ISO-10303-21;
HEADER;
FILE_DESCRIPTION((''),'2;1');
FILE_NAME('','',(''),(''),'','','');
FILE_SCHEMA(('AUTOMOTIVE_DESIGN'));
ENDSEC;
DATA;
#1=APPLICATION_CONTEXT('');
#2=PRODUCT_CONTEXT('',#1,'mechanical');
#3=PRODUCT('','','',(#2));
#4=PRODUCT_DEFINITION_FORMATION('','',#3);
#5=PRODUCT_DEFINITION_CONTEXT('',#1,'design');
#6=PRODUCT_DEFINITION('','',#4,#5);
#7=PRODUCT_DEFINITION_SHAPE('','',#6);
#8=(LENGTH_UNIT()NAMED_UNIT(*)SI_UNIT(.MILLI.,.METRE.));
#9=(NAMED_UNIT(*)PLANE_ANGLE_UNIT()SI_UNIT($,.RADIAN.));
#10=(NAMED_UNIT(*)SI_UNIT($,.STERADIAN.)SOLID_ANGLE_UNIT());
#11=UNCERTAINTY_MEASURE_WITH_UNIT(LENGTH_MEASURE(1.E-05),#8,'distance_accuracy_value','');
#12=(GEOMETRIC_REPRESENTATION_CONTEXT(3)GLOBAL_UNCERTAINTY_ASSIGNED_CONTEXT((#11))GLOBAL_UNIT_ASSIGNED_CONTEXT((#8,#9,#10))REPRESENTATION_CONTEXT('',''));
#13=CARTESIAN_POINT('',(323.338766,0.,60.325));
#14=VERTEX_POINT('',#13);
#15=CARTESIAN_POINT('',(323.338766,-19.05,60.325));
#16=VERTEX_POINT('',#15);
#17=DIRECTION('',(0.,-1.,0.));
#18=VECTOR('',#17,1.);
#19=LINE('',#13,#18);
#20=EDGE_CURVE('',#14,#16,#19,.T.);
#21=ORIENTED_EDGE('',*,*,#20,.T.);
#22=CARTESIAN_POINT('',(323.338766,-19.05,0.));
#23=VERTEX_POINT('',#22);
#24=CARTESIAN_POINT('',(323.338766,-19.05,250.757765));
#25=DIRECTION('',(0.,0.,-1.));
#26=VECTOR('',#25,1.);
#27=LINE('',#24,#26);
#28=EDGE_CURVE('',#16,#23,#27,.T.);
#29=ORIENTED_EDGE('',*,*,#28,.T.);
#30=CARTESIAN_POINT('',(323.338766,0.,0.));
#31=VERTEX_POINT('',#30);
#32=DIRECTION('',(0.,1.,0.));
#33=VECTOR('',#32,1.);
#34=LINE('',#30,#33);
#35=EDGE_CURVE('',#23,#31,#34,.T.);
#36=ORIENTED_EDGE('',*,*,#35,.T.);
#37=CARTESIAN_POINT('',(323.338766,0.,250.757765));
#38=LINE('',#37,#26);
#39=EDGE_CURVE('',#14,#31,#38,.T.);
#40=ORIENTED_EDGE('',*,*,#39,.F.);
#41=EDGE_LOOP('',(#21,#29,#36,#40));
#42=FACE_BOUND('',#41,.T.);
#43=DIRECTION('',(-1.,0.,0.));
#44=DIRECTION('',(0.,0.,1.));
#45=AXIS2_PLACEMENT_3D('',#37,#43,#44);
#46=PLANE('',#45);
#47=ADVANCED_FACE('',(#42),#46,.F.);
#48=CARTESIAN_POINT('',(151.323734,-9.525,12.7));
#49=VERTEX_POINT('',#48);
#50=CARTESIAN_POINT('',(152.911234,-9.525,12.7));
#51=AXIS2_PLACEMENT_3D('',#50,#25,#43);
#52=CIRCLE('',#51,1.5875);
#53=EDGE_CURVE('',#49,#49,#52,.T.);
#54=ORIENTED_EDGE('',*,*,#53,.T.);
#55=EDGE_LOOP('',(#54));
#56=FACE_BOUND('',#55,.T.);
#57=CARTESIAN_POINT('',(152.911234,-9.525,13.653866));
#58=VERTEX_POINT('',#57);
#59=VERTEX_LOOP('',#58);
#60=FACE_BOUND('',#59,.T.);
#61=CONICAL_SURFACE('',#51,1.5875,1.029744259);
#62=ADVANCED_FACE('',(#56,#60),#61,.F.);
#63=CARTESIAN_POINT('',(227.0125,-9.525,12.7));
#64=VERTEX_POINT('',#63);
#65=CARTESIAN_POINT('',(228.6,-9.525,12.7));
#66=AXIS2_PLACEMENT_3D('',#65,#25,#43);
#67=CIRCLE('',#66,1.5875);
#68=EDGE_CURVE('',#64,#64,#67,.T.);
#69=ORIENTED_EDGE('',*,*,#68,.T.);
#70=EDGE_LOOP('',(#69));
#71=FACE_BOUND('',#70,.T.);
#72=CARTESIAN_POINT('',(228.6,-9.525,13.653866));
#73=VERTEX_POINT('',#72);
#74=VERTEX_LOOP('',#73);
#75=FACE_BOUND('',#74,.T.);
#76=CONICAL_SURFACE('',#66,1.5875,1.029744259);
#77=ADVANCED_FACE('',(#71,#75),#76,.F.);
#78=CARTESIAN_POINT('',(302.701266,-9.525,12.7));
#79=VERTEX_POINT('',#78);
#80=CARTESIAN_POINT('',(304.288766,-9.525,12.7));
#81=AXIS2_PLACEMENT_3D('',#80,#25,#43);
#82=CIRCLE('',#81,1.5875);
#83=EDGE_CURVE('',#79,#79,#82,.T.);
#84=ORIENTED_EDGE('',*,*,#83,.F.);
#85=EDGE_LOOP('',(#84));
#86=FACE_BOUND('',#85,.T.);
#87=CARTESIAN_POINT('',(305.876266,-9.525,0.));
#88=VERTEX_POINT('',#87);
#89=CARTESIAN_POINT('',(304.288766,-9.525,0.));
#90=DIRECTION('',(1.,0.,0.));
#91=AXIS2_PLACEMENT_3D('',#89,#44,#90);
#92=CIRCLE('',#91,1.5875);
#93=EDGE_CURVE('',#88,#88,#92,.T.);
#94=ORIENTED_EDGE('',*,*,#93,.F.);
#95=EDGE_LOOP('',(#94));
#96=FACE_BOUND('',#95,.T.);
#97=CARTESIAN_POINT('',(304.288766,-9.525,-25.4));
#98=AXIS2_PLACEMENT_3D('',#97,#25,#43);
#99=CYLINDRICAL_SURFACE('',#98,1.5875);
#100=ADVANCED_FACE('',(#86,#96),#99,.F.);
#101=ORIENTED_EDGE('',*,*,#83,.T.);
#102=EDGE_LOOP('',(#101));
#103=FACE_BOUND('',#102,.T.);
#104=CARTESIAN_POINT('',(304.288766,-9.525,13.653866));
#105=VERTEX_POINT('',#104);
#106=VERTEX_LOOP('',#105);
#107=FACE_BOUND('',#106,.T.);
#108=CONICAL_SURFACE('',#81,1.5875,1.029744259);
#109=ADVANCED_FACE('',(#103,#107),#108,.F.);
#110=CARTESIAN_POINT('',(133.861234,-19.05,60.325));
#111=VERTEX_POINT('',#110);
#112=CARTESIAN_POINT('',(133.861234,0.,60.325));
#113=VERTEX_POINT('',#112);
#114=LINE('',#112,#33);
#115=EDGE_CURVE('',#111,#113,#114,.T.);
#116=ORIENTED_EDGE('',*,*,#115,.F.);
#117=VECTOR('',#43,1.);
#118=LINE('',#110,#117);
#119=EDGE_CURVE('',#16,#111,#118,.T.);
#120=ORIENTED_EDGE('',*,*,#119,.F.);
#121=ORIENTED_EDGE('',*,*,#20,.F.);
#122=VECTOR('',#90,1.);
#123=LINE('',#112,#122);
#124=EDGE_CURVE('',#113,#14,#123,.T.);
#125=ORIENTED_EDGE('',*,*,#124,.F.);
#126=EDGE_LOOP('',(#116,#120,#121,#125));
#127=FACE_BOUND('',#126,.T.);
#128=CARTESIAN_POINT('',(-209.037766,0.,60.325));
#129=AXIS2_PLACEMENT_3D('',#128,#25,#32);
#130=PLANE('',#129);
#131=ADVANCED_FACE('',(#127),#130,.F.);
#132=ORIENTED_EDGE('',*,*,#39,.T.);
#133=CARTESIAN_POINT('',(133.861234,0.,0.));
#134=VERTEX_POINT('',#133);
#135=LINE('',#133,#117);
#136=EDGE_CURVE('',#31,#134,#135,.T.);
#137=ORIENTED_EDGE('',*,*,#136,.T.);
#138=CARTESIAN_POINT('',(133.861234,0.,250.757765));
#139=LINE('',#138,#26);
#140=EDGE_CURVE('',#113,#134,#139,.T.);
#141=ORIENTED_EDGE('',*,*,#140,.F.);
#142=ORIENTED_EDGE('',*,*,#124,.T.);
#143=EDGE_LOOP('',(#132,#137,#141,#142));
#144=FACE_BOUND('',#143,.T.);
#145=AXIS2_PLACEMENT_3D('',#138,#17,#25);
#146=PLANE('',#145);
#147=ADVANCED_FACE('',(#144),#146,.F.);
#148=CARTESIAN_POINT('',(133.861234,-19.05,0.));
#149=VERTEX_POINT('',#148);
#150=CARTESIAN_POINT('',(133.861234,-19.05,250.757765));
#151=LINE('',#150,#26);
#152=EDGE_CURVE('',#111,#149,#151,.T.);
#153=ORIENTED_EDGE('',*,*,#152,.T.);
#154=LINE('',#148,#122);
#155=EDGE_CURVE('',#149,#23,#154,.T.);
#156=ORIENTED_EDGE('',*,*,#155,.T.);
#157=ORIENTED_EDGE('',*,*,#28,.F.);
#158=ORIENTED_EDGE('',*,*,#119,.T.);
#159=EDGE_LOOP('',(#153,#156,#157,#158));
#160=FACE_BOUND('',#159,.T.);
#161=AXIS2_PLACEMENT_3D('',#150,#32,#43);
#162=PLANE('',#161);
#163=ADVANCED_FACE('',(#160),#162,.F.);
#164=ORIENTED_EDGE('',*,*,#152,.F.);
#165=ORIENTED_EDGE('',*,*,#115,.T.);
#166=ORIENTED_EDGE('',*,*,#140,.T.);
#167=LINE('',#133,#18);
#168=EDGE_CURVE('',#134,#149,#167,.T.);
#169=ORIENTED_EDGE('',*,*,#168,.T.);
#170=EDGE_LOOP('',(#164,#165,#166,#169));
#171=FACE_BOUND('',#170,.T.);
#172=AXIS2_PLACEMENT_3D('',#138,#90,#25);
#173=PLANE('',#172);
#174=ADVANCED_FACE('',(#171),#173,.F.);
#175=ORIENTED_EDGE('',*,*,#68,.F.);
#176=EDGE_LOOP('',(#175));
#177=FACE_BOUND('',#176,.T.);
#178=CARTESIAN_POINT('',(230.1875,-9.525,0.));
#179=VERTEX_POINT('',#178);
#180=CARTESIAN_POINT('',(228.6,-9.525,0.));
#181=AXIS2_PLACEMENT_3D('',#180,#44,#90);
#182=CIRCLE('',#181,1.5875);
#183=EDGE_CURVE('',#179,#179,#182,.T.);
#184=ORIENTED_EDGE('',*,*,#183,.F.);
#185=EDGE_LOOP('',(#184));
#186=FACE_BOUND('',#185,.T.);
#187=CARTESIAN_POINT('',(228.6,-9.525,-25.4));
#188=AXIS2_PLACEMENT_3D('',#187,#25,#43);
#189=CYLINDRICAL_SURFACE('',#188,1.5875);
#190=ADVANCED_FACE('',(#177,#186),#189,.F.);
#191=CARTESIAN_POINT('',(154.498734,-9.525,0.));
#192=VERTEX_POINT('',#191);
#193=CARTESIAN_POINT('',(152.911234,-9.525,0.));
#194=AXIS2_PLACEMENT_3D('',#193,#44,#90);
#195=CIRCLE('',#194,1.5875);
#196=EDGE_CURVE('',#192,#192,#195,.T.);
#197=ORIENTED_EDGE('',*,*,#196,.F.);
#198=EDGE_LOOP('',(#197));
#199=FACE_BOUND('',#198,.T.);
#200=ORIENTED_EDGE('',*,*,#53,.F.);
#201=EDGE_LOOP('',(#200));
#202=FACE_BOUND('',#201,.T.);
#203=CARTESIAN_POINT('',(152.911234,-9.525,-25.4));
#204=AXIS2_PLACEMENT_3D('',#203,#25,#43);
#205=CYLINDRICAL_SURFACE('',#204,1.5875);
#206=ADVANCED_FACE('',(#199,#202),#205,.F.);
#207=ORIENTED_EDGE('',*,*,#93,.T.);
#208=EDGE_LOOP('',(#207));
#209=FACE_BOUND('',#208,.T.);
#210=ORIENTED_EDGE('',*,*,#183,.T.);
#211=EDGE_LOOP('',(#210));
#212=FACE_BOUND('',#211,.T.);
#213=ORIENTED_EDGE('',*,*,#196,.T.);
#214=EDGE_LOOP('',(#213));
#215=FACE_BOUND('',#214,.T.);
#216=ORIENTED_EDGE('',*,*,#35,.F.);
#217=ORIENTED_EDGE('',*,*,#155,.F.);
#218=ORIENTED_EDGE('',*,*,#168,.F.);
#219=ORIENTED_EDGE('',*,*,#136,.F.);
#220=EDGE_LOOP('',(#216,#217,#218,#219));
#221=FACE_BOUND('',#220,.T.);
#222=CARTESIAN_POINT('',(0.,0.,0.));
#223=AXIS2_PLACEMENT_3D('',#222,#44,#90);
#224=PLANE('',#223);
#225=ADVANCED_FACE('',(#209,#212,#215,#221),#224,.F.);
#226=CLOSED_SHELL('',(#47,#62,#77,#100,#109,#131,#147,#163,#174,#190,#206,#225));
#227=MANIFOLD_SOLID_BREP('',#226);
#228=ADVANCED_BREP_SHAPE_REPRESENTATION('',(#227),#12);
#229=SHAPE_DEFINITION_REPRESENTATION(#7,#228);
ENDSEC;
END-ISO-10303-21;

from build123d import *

# Parameters (mm, degrees)
SKETCH1_W           = 189.477532672
SKETCH1_H           = 19.05
BOSS_EXTRUDE1_DEPTH = 60.325
HOLE1_D             = 3.175
HOLE1_DEPTH         = 38.1
HOLE1_CSINK_D       = 10.16
HOLE1_CSINK_ANGLE   = 82
HOLE1_TIP           = 0.953866233


with BuildPart() as part:
    # Sketch1 → Boss-Extrude1 (new body)
    with BuildSketch(Plane.XY):
        with Locations((228.6, -9.525)):
            Rectangle(SKETCH1_W, SKETCH1_H)
    extrude(amount=BOSS_EXTRUDE1_DEPTH)

    # Hole1
    with Locations(Plane(origin=(228.6, 0, -25.4), x_dir=(-1, 0, 0), z_dir=(0, 0, -1))):
        with Locations((-75.688766336, -9.525), (218.563766336, -31.75), (218.563766336, -218.821), (218.563766336, -418.592), (104.263766336, -19.05), (104.263766336, -149.225), (104.263766336, -279.4), (120.138766336, -330.2), (120.138766336, -441.325), (-120.138766336, -441.325), (-120.138766336, -330.2), (-104.263766336, -279.4), (-104.263766336, -149.225), (-104.263766336, -19.05), (-218.563766336, -418.592), (-218.563766336, -218.821), (-218.563766336, -31.75), (0, -304.8), (107.438766336, -304.8), (-107.438766336, -304.8), (75.688766336, -276.225), (0, -276.225), (-75.688766336, -276.225), (75.688766336, -9.525), (0, -9.525)):
            CounterSinkHole(HOLE1_D / 2, HOLE1_CSINK_D / 2, depth=HOLE1_DEPTH, counter_sink_angle=HOLE1_CSINK_ANGLE)
            with Locations((0, 0, -(HOLE1_DEPTH + HOLE1_TIP / 2))):  # 118° drill point
                Cone(0, HOLE1_D / 2, HOLE1_TIP, mode=Mode.SUBTRACT)


solid = part.part
